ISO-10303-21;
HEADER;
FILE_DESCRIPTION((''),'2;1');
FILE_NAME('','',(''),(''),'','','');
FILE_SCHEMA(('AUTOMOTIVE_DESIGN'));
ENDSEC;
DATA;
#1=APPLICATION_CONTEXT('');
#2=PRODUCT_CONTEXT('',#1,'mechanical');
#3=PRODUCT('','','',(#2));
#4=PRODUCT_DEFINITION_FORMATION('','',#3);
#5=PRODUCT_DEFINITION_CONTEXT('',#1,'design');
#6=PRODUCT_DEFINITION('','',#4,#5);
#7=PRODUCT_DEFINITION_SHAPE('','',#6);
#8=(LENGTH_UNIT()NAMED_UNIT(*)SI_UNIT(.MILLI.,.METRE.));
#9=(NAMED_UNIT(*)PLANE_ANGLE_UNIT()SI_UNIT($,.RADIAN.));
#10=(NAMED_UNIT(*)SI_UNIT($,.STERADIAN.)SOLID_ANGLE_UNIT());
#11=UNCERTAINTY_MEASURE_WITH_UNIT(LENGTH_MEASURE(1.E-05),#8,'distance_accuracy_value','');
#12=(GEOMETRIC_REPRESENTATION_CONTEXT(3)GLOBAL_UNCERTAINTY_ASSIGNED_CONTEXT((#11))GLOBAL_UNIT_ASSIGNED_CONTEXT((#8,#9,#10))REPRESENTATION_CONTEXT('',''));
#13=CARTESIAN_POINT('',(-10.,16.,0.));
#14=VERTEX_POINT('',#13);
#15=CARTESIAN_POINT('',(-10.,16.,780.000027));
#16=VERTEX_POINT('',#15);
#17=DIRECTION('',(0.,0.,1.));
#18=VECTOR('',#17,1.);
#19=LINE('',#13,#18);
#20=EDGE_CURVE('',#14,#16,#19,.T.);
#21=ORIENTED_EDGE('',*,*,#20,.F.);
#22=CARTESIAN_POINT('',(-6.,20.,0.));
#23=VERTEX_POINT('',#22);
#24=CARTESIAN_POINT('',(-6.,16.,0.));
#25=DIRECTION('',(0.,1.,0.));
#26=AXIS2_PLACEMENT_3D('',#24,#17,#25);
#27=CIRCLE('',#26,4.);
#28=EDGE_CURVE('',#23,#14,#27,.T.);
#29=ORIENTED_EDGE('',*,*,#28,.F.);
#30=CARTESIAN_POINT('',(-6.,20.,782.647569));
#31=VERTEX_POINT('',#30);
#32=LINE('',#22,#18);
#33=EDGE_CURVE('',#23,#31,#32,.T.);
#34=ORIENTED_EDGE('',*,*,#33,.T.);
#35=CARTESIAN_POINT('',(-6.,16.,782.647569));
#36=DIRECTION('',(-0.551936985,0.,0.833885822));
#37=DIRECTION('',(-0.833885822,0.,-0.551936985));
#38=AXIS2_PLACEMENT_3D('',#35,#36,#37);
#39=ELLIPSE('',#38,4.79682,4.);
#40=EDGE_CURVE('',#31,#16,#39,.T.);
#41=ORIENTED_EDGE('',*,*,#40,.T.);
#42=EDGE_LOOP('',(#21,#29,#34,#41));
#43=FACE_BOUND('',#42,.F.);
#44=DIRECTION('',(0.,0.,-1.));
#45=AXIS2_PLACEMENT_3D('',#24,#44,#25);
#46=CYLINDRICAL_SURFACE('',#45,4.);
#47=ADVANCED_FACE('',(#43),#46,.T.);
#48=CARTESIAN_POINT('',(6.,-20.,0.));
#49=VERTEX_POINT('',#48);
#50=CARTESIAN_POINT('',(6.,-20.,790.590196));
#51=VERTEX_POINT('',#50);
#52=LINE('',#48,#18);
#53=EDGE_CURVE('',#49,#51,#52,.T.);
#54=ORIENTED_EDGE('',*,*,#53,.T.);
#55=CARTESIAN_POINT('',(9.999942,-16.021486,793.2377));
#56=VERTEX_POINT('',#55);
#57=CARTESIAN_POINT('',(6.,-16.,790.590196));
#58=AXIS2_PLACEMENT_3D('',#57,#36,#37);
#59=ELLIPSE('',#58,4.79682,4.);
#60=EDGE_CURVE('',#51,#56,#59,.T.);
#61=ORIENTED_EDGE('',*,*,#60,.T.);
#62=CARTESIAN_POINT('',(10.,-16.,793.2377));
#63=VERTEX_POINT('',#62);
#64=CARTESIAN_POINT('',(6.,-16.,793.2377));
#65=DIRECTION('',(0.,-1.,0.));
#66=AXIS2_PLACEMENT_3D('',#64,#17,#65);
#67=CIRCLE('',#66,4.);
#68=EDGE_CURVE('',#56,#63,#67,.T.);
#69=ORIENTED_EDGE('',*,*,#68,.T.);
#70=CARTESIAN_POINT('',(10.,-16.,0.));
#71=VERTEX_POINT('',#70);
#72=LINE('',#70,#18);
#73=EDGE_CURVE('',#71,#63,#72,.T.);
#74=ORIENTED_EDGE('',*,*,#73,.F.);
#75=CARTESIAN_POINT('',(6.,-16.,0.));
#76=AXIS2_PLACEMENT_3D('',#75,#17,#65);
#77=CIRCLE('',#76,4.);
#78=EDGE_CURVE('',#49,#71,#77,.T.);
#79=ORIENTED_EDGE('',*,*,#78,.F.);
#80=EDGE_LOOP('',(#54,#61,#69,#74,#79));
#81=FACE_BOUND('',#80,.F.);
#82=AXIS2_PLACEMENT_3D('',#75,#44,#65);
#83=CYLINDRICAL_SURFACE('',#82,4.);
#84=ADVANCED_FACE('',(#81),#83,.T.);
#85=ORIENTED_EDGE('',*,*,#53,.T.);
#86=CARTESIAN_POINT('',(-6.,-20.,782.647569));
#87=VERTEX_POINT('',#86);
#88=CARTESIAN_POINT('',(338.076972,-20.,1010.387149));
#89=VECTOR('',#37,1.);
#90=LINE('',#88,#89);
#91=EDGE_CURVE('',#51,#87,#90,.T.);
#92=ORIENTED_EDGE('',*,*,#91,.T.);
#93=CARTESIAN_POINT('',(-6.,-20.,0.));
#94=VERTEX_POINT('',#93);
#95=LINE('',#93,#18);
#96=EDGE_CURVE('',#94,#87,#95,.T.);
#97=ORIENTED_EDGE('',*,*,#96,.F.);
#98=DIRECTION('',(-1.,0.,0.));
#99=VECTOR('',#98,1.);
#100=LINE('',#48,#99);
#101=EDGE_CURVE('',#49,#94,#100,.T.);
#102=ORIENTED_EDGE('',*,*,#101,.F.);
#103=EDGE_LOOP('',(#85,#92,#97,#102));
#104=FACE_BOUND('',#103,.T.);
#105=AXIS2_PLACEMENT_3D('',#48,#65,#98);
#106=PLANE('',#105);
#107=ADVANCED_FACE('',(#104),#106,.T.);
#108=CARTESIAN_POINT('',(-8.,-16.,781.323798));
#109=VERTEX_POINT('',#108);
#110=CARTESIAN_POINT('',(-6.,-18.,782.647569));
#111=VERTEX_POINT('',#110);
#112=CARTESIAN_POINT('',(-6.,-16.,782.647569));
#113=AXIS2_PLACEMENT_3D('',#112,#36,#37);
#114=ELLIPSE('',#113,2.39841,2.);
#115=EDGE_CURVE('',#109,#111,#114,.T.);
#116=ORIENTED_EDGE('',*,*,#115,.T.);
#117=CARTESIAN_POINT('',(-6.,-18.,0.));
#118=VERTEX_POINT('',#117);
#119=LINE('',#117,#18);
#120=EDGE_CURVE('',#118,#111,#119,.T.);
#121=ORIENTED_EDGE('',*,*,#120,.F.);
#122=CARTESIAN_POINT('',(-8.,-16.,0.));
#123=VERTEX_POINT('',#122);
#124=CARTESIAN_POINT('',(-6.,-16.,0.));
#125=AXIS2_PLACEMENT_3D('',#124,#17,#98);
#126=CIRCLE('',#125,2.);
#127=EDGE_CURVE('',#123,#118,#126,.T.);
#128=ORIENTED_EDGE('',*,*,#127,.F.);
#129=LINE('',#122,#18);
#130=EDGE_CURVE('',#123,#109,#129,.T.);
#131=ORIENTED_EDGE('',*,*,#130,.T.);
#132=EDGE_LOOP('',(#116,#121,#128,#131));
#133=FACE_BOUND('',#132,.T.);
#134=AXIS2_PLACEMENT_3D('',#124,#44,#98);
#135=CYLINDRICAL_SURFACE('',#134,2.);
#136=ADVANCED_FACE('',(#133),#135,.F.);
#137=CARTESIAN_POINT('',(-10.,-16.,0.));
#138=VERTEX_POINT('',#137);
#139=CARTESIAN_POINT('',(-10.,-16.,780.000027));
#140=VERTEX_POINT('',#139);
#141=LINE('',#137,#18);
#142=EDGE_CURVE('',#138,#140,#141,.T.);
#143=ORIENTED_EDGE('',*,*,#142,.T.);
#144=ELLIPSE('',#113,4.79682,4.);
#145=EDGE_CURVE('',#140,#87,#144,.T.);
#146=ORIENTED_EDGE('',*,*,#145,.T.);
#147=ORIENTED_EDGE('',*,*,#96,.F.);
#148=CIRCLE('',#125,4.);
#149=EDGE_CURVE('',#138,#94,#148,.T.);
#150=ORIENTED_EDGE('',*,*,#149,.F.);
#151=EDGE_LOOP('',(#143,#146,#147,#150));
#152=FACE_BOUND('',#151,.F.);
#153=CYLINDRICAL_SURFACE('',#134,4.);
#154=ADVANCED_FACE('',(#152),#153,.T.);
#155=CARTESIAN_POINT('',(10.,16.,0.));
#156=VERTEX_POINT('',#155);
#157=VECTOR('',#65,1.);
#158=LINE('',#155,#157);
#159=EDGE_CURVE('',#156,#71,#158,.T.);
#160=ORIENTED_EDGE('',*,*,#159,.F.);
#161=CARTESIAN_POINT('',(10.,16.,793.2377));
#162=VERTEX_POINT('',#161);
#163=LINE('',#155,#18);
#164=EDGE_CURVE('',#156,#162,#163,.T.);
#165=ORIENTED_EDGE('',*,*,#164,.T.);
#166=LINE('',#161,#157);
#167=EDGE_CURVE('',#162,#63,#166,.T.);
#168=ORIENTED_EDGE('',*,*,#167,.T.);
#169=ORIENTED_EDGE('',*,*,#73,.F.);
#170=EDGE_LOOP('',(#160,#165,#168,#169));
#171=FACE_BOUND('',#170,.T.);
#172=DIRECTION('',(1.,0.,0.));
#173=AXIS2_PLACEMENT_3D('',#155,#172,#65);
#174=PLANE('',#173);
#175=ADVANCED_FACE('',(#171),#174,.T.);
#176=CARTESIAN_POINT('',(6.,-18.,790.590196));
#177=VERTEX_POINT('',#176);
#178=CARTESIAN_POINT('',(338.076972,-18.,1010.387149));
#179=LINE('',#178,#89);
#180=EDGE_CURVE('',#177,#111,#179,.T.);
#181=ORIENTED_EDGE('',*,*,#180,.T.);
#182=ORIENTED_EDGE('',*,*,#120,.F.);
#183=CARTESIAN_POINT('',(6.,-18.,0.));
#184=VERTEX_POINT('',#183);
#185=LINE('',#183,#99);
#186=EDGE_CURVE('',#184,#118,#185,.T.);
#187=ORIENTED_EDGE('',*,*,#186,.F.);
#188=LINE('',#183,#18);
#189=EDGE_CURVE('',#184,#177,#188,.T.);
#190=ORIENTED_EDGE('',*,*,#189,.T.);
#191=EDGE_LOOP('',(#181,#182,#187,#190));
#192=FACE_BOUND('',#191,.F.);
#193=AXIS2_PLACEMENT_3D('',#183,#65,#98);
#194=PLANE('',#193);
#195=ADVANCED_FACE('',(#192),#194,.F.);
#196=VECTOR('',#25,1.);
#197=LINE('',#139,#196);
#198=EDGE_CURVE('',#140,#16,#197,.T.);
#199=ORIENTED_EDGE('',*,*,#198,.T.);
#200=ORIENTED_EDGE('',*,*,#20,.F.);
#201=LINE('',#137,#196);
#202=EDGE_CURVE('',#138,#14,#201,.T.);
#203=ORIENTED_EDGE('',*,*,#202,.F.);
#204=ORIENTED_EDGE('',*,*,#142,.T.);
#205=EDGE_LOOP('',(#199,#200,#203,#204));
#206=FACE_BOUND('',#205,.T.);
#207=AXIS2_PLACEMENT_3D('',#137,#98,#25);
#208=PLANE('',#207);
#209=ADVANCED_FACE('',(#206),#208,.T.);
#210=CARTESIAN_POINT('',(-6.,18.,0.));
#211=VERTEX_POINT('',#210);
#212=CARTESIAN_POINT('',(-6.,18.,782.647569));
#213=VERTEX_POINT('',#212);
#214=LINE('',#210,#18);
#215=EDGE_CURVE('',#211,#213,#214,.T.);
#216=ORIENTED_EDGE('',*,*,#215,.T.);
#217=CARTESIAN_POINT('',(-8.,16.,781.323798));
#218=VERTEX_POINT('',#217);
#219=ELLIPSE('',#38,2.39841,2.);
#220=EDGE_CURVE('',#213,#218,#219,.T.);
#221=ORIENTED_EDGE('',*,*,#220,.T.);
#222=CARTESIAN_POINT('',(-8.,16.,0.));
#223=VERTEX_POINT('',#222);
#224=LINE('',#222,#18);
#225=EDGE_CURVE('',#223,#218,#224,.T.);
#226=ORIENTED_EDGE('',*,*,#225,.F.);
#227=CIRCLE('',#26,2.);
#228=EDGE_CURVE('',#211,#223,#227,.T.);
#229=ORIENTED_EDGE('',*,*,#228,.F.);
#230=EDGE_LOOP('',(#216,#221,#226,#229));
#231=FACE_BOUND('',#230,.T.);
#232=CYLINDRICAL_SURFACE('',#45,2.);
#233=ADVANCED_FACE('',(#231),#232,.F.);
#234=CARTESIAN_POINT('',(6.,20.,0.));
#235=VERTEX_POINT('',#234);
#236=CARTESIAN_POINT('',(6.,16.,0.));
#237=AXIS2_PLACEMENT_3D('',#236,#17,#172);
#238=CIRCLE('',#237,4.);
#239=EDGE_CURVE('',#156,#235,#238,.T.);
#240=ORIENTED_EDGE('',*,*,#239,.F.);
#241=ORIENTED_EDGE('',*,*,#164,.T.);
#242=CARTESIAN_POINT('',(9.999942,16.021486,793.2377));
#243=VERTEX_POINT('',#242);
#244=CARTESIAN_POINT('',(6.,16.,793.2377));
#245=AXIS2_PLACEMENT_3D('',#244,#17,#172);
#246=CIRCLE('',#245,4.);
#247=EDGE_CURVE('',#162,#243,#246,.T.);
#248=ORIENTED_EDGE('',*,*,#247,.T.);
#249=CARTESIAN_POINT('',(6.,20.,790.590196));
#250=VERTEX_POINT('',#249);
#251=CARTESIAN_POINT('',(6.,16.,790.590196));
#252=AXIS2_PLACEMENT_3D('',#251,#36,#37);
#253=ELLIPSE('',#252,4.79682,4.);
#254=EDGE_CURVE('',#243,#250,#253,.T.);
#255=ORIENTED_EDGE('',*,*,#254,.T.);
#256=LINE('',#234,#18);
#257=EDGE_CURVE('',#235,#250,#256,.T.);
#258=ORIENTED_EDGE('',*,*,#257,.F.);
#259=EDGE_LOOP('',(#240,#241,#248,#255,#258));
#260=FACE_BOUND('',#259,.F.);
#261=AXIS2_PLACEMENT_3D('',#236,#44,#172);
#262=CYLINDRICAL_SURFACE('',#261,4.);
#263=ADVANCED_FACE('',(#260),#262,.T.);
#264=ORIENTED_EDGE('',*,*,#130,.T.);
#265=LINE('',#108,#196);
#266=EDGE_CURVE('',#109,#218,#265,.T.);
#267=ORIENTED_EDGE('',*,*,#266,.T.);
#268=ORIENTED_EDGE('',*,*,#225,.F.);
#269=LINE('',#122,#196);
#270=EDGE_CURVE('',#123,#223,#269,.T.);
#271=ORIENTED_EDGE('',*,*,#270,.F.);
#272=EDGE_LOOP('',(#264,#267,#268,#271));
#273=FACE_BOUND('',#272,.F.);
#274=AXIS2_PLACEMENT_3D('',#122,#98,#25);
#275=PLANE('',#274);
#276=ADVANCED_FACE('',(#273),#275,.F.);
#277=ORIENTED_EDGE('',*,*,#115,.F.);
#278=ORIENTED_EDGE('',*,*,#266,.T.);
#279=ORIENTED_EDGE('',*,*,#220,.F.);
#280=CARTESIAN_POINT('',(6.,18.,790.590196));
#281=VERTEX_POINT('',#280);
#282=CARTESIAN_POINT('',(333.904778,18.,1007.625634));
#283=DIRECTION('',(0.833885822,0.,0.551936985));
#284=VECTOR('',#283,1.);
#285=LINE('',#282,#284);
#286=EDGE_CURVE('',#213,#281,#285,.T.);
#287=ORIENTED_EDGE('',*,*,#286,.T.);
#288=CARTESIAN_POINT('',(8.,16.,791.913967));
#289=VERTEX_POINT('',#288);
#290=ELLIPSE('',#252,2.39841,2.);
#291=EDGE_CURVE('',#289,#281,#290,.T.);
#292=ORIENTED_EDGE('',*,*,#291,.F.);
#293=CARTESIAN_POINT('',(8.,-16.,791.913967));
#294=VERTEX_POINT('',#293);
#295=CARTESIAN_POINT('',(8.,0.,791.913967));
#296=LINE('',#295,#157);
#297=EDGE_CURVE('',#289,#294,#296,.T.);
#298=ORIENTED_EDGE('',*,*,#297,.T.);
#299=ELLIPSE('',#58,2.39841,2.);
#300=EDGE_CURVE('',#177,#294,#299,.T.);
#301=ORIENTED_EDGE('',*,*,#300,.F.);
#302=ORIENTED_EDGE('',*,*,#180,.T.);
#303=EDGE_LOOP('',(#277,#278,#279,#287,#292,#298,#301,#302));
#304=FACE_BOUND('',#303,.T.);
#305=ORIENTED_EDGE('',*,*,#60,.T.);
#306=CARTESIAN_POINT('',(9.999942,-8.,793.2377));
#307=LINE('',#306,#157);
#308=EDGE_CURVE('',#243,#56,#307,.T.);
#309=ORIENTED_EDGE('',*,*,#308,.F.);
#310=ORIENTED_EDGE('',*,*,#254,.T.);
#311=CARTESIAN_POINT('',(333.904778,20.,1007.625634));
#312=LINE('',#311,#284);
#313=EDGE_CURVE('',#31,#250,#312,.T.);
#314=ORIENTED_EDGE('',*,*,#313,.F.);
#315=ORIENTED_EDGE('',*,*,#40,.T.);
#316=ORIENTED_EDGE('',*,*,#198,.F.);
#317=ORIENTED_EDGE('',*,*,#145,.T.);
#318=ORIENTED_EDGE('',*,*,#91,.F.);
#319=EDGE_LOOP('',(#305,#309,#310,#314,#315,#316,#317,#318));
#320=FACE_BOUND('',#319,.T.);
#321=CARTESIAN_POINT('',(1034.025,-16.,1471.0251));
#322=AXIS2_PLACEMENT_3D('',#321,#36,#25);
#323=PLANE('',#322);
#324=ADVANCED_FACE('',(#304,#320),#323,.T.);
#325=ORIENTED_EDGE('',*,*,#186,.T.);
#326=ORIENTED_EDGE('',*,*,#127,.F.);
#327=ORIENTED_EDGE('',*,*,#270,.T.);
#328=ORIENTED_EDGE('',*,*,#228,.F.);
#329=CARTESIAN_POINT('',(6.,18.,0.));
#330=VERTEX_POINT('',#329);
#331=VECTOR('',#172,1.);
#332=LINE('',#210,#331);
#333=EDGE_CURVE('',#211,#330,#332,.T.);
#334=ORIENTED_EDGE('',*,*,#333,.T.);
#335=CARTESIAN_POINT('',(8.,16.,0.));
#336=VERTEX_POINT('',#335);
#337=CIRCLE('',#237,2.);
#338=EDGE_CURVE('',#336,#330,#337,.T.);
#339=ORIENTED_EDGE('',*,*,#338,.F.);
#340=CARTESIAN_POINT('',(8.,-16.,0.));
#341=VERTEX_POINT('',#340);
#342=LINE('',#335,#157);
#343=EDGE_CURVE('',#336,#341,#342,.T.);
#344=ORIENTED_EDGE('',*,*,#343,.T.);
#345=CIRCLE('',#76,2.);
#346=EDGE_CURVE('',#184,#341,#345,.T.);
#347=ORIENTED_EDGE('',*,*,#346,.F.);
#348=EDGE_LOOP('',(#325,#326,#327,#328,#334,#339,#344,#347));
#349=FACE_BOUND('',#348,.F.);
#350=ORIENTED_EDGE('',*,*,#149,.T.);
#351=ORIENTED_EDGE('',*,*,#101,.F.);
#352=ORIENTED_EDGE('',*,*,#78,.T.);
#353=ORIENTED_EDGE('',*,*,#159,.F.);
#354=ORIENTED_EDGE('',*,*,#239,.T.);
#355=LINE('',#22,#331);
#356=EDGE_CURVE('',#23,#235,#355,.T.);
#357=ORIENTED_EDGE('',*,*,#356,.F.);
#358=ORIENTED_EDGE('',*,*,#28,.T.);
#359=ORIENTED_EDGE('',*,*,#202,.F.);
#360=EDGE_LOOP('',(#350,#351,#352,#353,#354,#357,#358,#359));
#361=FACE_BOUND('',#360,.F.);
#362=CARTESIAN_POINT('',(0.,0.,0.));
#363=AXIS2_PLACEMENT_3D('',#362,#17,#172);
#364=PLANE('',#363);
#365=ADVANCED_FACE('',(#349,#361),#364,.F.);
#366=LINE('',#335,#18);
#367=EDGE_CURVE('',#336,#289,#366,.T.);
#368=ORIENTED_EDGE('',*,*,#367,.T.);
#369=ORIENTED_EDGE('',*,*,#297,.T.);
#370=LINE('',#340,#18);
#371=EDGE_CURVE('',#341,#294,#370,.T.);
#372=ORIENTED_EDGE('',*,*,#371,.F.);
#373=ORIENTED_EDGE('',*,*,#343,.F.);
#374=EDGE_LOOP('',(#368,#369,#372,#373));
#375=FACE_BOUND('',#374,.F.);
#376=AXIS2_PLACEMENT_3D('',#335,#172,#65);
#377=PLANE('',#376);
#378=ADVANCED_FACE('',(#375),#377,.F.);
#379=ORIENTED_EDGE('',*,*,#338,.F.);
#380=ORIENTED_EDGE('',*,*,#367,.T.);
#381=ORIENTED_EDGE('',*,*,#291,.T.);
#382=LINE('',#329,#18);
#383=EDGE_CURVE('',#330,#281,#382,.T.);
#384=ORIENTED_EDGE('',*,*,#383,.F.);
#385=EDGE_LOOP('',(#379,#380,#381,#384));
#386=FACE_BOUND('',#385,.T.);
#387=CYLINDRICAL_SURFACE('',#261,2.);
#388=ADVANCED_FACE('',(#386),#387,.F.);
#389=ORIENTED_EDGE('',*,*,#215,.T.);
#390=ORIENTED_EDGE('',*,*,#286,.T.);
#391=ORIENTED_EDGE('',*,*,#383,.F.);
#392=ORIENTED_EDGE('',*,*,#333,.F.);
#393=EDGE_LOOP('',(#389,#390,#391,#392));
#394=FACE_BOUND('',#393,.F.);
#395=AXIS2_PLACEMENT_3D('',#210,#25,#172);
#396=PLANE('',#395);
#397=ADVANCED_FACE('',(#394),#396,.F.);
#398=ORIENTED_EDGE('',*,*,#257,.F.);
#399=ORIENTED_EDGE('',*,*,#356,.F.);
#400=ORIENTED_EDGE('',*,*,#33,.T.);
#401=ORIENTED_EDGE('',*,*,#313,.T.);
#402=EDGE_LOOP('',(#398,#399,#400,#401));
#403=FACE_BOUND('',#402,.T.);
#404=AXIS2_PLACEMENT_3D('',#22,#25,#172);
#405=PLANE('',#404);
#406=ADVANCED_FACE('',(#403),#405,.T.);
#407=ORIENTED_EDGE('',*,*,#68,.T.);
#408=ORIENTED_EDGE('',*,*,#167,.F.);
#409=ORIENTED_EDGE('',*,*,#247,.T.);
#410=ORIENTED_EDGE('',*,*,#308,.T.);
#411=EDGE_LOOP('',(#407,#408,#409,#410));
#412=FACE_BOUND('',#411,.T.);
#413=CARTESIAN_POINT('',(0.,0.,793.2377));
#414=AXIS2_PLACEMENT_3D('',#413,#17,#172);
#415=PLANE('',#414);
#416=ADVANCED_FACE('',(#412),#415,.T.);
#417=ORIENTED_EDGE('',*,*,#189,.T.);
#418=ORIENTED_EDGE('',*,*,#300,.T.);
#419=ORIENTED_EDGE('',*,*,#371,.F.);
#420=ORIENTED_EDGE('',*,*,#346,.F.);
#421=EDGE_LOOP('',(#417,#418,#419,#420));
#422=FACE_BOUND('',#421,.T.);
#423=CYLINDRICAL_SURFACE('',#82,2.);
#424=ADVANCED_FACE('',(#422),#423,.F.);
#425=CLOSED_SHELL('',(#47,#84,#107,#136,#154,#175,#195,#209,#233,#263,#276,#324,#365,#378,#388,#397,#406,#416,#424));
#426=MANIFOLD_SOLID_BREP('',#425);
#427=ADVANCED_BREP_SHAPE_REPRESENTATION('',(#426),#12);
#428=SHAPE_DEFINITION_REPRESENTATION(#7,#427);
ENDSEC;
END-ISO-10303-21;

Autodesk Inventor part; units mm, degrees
ref_plane "Start Plane" through (0, 0, 0) normal (0, 0, 1) x (1, 0, 0)
ref_plane "End Plane" through (0, 0, 793.2377) normal (0, 0, 1) x (1, 0, 0)
sketch "Sketch" plane through (0, 0, 0) normal (0, 0, 1) x (1, 0, 0)
  line L0 (-10, -16) -> (-10, 16)
  line L1 (-6, 20) -> (6, 20)
  line L2 (10, 16) -> (10, -16)
  line L3 (6, -20) -> (-6, -20)
  arc A0 (-10, -16) -> (-6, -20) centre (-6, -16) ccw
  arc A1 (10, 16) -> (6, 20) centre (6, 16) ccw
  arc A2 (-6, 20) -> (-10, 16) centre (-6, 16) ccw
  arc A3 (6, -20) -> (10, -16) centre (6, -16) ccw
  arc A4 (-6, 18) -> (-8, 16) centre (-6, 16) ccw
  line L4 (-6, 18) -> (6, 18)
  arc A5 (8, 16) -> (6, 18) centre (6, 16) ccw
  line L5 (8, 16) -> (8, -16)
  arc A6 (6, -18) -> (8, -16) centre (6, -16) ccw
  line L6 (6, -18) -> (-6, -18)
  arc A7 (-8, -16) -> (-6, -18) centre (-6, -16) ccw
  line L7 (-8, -16) -> (-8, 16)
  line L8 (0, 29.1598) -> (0, -29.1598) construction
  line L9 (-15.1598, 0) -> (15.1598, 0) construction
  dimension "d7" = 4
  dimension "d9" = 20
  dimension "d11" = 40
  dimension "d12" = 2
  dimension "d15" = 10
  dimension "d16" = 20
extrude "Body" add sketch "Sketch" along normal up to surface (793.2377 mm away) from surface at 0
sketch "Sketch3" plane through (0, 0, 0) normal (0, 0, 1) x (1, 0, 0)
  line L0 (0, 0) -> (10, 0)
ref_plane "Work Plane3" through (0, 0, 0) normal (0, -1, 0) x (1, 0, 0)
ref_plane "Work Plane4" through (1034.025, -16, 1471.0251) normal (-0.5519, 0, 0.8339) x (0.8339, 0, 0.5519)
split "Split1" plane through (1034.025, -16, 1471.0251) removes the side toward (-0.5519, 0, 0.8339)
sketch "Sketch4" plane through (0, 0, 0) normal (0, -1, 0) x (1, 0, 0)
  line L0 (-2, 0) -> (12, 0) projected
  line L1 (-2, 793.2377) -> (12, 793.2377) projected
  dimension "d18" = 793.2377
equation "\"d7\" = G_IR"
equation "\"d9\" = G_W"
equation "\"d11\" = G_H"
equation "\"d12\" = G_T"
equation "\"d15\" = 0.5 * d9"
equation "\"d16\" = 0.5 * d11"
equation "\"d3\" = G_L"
equation "\"G_W\" = 20"
equation "\"G_H\" = 40"
equation "\"G_T\" = 2"
equation "\"G_IR\" = 4"
equation "\"G_L\" = d18"
equation "\"G_OFFSET_START\" = 0"
equation "\"G_OFFSET_END\" = 13.23771"
equation "\"d14\" = G_OFFSET_END + B_L"
equation "\"B_L\" = 780"
properties part number "ISO 4019 - 40x20x2 - 793,24" material "Steel, Mild"
